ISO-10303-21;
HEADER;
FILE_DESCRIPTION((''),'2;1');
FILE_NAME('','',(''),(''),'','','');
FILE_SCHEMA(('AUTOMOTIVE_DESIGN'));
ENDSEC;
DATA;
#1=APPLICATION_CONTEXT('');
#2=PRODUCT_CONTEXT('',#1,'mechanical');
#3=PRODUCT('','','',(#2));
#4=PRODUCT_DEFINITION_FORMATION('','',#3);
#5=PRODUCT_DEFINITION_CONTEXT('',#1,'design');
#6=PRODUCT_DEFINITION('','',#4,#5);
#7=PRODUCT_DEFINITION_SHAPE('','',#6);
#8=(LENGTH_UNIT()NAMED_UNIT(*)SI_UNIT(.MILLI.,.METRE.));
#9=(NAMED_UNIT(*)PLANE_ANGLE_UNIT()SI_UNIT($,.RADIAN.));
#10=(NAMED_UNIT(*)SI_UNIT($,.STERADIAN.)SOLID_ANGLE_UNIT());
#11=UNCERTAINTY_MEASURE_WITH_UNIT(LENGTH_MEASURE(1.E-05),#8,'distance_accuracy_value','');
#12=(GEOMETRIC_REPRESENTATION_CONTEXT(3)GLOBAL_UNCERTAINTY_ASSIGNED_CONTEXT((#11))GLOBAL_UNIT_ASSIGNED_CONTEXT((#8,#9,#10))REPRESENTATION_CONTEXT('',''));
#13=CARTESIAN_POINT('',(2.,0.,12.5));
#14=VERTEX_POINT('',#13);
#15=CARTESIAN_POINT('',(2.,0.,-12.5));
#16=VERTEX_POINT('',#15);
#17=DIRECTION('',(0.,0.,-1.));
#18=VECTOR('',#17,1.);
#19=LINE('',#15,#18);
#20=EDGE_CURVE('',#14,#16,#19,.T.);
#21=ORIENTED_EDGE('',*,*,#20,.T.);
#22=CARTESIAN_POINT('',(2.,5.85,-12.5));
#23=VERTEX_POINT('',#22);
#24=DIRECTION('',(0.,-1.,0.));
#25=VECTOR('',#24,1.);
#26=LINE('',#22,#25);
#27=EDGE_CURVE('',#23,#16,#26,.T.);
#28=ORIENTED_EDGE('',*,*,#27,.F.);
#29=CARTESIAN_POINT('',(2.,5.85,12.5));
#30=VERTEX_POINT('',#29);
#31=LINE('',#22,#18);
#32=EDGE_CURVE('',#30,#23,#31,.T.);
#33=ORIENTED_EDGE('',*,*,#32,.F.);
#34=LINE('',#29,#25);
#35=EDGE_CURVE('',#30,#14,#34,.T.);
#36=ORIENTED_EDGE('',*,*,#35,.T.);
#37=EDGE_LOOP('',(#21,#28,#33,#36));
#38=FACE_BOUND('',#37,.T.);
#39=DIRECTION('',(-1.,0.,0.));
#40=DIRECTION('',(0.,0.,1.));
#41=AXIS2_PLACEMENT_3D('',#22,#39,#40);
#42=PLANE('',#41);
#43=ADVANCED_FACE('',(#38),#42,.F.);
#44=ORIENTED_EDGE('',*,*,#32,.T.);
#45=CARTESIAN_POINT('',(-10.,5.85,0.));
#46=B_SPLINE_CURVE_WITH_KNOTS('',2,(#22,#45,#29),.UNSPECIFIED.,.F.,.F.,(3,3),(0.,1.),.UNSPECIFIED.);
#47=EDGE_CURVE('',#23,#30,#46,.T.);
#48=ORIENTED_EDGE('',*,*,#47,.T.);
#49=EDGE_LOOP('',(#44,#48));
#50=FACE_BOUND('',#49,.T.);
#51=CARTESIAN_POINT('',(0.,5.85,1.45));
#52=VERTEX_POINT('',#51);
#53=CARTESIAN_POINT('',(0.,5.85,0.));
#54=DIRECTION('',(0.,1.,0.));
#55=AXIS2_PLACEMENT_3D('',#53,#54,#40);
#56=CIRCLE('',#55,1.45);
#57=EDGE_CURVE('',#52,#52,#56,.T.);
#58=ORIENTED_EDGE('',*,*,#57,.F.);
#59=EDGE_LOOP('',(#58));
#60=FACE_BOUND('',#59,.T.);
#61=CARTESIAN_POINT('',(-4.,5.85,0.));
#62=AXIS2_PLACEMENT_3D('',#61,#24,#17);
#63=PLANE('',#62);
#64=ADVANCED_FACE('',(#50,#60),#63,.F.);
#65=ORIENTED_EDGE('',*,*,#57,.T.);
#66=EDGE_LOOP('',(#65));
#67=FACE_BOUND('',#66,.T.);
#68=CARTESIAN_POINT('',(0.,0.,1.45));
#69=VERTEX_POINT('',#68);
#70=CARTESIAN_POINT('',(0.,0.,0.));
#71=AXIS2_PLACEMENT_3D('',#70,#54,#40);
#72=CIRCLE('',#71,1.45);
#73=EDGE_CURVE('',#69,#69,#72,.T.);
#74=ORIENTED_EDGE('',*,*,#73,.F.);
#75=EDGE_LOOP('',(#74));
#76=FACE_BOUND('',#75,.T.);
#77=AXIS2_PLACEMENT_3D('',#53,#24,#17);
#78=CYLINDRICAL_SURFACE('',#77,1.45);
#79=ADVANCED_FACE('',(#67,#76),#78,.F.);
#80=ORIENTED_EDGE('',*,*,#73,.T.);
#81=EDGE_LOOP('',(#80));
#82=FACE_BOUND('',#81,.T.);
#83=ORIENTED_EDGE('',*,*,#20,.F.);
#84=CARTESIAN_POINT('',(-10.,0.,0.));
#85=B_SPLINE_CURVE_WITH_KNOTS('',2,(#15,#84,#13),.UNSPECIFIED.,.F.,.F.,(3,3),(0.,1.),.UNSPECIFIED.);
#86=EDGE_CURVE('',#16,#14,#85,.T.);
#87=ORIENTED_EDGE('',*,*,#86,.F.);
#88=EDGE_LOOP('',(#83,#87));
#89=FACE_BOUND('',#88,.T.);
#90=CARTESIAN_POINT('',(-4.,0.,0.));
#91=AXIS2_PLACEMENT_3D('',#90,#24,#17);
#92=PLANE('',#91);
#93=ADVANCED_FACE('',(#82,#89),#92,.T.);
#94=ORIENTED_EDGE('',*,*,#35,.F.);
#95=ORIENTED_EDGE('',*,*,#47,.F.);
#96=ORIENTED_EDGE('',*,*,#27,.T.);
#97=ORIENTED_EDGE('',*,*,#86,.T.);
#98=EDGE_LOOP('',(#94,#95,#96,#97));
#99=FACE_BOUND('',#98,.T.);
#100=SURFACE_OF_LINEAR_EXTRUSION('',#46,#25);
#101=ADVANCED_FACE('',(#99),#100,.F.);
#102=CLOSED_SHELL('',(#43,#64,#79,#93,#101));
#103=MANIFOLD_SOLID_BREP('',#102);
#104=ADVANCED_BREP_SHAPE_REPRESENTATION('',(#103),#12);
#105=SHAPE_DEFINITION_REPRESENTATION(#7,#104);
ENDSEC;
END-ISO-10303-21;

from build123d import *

# Parameters (mm, degrees)
SKETCH1_R           = 1.45
BOSS_EXTRUDE1_DEPTH = 5.85


with BuildPart() as part:
    # Sketch1 → Boss-Extrude1 (new body)
    with BuildSketch(Plane(origin=(0, 0, 0), x_dir=(1, 0, 0), z_dir=(0, 1, 0))):
        with BuildLine():
            Line((2, 12.5), (2, -12.5))
            add(Edge.make_bspline(
                [(2, 12.5), (-10, 0), (2, -12.5)],
                knots=[0, 0, 0, 1, 1, 1], degree=2))
        make_face()
        with Locations(Location((0, 0, 0), (0, 0, 270))):
            Circle(SKETCH1_R, mode=Mode.SUBTRACT)
    extrude(amount=BOSS_EXTRUDE1_DEPTH)


solid = part.part
